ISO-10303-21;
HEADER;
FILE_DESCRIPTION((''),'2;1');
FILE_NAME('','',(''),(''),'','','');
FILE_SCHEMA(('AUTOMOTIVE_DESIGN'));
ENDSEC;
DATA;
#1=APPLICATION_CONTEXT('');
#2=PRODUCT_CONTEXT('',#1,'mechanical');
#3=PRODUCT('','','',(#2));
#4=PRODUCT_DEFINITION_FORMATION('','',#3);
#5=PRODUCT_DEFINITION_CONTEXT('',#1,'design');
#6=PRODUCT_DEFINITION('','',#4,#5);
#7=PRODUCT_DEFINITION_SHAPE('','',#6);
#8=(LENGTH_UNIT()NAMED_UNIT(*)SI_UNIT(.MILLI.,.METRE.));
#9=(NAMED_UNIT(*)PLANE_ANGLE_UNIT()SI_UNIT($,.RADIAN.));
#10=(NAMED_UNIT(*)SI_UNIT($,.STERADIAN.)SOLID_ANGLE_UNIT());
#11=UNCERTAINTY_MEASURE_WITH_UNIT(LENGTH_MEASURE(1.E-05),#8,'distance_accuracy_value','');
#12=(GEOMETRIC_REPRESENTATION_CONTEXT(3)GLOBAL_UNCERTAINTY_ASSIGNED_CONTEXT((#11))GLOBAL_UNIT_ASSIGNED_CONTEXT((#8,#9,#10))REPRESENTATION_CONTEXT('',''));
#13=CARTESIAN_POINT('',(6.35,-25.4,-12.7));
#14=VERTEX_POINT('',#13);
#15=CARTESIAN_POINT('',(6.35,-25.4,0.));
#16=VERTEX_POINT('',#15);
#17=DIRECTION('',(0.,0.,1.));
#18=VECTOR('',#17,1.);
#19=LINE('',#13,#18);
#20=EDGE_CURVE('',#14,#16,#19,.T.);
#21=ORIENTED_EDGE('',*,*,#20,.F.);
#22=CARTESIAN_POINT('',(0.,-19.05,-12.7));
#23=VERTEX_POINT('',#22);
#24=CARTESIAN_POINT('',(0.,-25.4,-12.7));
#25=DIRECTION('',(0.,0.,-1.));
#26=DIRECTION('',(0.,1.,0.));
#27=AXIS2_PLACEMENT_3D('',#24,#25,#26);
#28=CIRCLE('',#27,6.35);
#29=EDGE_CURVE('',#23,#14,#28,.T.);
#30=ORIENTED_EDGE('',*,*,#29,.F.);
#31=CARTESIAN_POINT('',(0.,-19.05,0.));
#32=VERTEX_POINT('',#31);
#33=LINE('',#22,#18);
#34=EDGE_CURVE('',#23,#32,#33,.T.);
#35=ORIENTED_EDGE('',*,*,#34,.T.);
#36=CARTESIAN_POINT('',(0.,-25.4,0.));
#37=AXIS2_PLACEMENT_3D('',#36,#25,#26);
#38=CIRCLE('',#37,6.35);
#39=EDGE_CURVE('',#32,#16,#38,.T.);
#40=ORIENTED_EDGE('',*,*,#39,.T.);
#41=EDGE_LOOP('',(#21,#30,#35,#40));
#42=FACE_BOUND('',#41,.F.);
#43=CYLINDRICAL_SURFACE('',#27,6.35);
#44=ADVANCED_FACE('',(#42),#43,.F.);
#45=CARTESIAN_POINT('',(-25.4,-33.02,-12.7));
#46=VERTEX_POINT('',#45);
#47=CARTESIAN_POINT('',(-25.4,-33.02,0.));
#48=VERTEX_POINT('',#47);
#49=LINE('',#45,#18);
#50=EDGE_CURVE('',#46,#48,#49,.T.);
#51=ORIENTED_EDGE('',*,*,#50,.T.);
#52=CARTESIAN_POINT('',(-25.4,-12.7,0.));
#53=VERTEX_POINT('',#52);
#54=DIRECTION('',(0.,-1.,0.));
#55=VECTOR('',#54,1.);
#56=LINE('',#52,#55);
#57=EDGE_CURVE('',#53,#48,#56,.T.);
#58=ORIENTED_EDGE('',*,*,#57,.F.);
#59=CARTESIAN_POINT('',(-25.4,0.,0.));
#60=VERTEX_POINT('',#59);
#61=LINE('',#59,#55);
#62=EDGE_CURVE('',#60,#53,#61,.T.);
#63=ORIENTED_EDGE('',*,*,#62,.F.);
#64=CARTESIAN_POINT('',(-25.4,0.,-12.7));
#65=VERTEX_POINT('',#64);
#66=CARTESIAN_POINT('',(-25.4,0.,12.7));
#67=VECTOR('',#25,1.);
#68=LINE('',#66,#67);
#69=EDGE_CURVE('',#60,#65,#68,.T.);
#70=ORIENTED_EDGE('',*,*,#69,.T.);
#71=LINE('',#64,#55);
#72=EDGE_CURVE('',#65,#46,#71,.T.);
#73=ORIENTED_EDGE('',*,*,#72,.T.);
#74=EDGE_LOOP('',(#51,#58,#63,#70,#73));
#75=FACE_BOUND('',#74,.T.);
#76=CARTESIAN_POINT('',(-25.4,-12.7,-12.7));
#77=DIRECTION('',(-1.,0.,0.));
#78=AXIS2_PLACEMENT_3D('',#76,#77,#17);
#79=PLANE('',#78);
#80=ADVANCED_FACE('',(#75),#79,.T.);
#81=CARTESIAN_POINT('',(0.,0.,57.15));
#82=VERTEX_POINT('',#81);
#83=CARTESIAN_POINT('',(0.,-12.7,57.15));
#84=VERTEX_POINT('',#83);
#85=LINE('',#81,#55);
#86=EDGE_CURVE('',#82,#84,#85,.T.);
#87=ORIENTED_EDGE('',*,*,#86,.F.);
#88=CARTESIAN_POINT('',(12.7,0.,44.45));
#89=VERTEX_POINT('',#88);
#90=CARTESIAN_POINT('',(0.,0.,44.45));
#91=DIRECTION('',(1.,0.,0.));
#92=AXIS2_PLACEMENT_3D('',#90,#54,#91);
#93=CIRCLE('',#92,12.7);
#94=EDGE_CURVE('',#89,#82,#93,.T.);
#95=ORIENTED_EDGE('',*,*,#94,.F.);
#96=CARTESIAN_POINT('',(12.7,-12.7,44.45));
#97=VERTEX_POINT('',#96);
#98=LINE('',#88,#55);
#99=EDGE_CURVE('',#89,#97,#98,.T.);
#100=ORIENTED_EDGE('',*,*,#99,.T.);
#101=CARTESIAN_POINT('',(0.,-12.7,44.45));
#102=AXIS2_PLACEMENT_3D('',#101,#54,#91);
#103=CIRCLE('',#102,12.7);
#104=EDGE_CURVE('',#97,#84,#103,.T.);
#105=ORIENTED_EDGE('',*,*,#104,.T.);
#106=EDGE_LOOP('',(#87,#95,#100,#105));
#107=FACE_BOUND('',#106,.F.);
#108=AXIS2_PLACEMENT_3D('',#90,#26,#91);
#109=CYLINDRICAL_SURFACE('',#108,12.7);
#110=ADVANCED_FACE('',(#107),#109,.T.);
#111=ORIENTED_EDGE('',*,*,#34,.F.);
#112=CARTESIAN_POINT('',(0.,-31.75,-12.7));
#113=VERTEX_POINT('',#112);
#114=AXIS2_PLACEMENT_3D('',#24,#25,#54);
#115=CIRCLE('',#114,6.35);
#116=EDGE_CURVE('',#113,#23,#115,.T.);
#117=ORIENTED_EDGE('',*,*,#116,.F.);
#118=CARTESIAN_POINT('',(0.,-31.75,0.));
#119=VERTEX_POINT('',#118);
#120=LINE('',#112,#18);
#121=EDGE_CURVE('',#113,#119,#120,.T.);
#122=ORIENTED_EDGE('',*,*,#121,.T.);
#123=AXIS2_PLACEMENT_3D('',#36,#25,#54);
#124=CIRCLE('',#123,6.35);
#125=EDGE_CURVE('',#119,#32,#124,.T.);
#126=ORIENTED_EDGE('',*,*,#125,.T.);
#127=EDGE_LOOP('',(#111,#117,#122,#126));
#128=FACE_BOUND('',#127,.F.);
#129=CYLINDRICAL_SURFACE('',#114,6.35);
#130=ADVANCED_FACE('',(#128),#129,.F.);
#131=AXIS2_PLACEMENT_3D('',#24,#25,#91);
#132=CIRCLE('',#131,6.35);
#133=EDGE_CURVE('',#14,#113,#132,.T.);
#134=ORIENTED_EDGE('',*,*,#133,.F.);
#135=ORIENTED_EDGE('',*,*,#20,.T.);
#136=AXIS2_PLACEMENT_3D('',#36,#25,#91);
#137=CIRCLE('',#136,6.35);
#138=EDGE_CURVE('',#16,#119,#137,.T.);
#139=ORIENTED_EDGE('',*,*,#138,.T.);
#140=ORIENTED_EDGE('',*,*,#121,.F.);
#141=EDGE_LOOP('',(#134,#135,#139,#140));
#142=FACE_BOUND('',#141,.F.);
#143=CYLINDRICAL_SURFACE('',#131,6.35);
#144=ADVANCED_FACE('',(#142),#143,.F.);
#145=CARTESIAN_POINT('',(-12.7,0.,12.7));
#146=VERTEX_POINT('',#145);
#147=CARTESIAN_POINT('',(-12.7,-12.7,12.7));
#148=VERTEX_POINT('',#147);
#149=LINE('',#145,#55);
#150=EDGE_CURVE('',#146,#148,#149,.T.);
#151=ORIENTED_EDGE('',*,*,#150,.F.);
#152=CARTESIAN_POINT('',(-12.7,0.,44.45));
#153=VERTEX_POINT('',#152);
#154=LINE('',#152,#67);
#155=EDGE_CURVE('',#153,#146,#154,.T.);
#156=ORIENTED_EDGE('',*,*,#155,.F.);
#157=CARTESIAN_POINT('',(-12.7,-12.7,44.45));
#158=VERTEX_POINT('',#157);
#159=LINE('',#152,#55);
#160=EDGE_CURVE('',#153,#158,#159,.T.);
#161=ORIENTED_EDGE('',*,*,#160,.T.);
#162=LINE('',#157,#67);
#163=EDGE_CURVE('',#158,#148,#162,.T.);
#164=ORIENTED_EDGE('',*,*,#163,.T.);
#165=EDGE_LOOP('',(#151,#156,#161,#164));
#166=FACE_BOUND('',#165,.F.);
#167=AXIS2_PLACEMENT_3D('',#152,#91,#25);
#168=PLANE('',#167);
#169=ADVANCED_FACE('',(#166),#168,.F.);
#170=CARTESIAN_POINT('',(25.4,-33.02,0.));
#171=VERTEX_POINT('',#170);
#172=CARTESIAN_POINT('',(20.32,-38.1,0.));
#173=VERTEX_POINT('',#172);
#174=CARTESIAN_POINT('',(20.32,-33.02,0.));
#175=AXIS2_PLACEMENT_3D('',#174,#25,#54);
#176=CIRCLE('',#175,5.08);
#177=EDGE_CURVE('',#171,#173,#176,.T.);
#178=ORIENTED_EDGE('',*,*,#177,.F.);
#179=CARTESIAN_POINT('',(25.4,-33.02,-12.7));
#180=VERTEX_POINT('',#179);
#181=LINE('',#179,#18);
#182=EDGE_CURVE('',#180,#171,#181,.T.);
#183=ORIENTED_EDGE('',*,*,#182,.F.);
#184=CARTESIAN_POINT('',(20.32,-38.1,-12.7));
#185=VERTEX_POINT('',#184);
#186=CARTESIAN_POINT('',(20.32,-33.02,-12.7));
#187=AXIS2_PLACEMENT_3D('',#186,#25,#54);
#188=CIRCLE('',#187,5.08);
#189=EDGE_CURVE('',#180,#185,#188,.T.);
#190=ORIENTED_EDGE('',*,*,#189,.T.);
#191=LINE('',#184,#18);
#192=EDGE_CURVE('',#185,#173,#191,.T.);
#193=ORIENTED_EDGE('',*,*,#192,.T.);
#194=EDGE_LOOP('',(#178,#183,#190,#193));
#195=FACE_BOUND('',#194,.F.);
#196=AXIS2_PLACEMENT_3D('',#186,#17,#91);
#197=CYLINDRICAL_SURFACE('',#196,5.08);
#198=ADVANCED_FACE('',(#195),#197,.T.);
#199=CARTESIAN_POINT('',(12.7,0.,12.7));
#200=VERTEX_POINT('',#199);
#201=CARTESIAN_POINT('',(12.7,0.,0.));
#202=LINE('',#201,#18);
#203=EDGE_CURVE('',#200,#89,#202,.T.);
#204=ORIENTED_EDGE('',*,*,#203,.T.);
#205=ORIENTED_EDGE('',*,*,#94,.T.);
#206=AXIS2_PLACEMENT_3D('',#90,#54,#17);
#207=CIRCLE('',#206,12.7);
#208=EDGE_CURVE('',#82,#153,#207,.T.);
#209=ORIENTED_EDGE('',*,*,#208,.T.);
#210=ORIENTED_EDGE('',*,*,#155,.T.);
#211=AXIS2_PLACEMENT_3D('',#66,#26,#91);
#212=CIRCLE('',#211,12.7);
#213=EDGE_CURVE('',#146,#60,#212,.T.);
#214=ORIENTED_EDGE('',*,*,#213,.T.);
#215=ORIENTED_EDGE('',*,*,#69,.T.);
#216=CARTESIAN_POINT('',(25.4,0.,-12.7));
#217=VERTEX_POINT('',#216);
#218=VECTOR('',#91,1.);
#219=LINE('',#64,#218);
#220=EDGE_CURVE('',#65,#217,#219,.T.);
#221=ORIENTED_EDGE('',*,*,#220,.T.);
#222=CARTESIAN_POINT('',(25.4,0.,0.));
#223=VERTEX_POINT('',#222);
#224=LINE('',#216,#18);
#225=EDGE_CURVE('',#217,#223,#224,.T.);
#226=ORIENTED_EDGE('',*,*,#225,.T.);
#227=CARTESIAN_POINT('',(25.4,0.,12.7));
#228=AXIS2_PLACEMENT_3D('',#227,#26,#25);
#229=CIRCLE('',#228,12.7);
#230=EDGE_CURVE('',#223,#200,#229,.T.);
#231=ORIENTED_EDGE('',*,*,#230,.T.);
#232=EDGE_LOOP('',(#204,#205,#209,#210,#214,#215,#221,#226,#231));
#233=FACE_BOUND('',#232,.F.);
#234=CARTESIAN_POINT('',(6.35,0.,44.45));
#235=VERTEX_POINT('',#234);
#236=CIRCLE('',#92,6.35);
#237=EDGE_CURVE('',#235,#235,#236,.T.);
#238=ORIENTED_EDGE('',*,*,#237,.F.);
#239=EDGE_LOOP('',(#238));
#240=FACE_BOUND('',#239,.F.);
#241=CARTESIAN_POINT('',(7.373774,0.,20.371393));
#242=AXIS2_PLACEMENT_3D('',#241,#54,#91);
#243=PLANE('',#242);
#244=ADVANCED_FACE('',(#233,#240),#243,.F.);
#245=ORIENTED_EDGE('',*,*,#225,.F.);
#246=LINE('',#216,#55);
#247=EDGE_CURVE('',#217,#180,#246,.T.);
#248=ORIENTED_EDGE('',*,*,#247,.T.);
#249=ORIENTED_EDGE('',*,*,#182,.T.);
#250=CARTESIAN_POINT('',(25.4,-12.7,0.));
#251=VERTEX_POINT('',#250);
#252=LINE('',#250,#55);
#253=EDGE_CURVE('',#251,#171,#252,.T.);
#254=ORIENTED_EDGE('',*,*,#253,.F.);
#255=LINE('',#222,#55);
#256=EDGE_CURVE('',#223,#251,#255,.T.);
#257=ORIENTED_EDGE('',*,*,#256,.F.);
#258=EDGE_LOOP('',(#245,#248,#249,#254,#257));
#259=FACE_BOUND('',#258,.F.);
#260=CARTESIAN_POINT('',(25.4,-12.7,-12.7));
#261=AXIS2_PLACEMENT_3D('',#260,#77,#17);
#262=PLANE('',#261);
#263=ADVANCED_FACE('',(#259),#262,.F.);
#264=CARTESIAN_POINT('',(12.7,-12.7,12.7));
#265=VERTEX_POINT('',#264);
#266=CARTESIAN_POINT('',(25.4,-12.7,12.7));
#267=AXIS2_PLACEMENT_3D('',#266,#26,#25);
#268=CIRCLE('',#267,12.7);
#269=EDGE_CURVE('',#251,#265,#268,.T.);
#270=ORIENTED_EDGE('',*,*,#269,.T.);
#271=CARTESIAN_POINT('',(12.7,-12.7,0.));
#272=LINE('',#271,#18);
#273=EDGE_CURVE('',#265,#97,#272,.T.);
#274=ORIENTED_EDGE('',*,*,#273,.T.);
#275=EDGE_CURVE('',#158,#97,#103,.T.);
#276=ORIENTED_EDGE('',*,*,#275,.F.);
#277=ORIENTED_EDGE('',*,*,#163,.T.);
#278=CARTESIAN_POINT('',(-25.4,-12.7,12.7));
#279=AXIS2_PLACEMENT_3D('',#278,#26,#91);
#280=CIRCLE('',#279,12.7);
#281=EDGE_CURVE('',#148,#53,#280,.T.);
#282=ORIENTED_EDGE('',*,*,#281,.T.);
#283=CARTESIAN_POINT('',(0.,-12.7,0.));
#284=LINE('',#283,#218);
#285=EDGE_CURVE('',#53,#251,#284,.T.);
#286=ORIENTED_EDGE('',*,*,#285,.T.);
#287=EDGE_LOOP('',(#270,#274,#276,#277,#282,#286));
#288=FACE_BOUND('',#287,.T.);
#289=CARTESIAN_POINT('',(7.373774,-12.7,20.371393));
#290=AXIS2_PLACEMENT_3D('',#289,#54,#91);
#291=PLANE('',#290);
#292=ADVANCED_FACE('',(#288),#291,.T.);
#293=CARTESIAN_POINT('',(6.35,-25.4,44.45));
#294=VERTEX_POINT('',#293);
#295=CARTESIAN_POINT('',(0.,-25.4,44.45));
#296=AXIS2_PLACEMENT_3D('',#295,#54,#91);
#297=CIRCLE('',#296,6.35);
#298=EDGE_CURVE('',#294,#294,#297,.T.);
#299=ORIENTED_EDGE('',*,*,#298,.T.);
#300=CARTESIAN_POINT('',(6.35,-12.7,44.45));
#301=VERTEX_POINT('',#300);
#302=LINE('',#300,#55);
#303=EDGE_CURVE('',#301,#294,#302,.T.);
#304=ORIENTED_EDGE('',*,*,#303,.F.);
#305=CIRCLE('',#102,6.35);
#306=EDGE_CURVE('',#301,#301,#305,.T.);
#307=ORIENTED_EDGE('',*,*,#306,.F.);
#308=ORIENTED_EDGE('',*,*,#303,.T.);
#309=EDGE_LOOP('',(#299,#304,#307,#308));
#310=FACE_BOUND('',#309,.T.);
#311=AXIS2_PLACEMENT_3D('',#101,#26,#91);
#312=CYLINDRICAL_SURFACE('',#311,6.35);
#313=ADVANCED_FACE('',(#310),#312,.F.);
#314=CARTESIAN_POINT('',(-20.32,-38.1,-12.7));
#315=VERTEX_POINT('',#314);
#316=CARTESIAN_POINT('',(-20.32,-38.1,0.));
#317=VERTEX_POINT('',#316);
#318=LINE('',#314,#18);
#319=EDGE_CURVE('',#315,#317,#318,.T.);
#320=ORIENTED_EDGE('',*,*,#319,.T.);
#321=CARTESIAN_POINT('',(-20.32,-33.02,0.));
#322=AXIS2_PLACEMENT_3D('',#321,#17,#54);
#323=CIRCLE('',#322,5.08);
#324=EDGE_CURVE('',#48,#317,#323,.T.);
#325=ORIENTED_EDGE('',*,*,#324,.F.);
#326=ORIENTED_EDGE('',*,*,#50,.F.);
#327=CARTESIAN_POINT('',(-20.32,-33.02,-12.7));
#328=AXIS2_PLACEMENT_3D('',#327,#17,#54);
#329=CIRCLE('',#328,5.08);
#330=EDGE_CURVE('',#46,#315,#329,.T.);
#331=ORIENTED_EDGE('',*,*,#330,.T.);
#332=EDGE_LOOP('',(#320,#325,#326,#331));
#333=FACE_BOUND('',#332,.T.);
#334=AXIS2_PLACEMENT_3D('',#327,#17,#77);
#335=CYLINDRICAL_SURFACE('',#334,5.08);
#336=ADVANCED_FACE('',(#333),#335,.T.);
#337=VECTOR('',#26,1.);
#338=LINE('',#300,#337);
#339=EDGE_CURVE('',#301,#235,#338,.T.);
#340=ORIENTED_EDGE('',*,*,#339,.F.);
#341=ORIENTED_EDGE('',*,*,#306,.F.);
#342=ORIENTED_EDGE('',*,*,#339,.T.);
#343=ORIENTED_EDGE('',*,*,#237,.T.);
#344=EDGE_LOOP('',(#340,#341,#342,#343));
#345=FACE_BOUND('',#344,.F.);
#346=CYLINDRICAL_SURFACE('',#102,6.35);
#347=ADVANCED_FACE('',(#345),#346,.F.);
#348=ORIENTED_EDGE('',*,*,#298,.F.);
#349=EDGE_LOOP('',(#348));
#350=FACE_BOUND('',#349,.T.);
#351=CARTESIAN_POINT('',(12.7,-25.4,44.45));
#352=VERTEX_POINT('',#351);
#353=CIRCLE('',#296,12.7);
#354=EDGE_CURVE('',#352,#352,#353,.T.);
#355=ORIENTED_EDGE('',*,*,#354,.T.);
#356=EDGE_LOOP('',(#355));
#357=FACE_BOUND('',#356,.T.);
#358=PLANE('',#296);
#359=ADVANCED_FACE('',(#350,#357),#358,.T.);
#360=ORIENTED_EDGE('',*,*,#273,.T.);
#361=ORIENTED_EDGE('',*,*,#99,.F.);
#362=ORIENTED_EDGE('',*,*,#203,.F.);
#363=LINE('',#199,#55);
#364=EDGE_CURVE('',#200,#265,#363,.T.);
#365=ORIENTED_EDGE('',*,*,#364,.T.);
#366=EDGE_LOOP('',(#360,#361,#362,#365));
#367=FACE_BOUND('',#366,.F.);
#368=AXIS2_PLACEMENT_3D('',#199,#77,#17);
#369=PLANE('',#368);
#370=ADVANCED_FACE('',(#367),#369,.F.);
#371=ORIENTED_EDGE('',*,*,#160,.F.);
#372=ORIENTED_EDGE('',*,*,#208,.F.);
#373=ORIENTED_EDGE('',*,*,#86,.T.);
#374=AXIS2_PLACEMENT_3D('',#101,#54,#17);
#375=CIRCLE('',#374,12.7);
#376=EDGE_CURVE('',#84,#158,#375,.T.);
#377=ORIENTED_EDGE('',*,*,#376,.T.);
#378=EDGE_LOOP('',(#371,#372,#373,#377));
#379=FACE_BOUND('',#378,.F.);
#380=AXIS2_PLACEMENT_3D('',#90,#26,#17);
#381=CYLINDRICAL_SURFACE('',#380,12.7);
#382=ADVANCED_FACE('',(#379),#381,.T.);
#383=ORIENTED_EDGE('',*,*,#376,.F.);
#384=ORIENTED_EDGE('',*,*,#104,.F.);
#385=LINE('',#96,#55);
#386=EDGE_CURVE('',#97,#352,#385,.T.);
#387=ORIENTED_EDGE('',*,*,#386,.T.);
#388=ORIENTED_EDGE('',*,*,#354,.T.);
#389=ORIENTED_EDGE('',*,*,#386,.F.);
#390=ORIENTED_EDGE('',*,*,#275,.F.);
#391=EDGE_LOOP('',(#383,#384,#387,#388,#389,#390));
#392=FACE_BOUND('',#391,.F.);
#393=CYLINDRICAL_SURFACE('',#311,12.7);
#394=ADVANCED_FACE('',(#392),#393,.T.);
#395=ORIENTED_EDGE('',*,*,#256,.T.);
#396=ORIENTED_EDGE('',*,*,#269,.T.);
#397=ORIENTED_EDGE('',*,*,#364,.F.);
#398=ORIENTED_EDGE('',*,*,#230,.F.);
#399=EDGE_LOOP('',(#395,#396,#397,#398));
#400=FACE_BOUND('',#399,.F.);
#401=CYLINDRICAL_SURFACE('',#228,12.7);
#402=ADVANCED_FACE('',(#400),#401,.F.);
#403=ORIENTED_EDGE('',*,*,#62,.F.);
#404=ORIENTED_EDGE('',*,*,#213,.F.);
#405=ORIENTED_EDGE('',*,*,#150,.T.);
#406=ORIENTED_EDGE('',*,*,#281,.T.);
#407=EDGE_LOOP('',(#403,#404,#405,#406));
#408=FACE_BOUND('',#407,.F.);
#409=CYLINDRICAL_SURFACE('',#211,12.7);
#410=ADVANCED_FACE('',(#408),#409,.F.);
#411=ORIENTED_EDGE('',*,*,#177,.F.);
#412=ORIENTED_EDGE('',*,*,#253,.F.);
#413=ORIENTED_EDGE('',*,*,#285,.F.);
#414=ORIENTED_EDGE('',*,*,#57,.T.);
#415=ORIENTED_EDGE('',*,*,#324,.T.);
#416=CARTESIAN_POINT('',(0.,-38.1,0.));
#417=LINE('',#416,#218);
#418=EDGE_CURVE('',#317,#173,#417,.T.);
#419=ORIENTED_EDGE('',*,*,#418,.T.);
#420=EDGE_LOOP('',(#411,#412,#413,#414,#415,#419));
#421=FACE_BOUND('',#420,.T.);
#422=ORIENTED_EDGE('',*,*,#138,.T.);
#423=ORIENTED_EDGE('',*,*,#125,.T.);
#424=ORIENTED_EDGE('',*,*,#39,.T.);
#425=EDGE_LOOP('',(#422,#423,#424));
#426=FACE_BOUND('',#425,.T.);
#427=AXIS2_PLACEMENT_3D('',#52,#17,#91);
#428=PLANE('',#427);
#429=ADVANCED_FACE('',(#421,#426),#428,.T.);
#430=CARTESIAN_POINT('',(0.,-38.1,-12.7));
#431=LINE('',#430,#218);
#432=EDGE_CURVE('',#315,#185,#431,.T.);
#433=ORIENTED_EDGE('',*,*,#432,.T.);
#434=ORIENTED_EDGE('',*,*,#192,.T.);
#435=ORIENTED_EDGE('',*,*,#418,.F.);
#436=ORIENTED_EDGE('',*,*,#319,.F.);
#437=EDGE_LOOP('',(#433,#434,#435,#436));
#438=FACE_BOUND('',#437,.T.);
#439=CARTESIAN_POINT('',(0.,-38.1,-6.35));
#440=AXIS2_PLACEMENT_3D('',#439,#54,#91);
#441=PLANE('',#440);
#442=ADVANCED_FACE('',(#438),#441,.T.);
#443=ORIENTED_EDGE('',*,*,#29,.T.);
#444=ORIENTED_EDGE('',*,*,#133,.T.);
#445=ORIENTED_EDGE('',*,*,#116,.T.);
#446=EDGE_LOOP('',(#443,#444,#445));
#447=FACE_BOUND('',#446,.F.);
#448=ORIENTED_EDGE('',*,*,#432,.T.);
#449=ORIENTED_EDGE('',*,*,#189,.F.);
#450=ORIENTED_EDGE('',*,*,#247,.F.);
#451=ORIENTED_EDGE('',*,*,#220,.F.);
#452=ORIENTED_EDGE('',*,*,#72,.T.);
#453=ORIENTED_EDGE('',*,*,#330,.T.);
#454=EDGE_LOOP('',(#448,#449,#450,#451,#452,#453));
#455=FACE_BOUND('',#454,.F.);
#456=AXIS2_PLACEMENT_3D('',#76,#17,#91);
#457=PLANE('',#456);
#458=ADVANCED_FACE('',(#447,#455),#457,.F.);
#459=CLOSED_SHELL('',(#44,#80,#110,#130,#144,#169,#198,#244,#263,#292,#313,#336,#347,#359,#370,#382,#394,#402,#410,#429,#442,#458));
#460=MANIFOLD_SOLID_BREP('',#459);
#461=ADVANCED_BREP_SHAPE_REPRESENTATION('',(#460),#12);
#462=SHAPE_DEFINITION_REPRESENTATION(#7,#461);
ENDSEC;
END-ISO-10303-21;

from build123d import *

# Parameters (mm, degrees)
F0_W      = 12.7
F0_H      = 12.7
F1_DEPTH  = 12.7
F3_DEPTH  = 25.4
F4_W      = 50.8
F4_H      = 12.7
F5_DEPTH  = 25.4
F6_R      = 5.08
F7_R      = 12.7
F7_R_2    = 6.35
F8_DEPTH  = 12.7
F9_DEPTH  = 25.4
F11_DEPTH = 25.4


with BuildPart() as f1:
    # F0 (on Front) → F1 (new body)
    with BuildSketch(Plane.XZ):
        with BuildLine():
            Line((0, 31.75), (0, 0))
            Line((0, 0), (12.7, 0))
            Line((12.7, 0), (12.7, 12.7))
            Line((12.7, 12.7), (12.7, 44.45))
            ThreePointArc((12.7, 44.45), (8.9802561211, 35.4697438789), (0, 31.75))
        make_face()
        Polygon((12.7, 0), (0, 0), (-12.7, 0), (-25.4, 0), (-25.4, -12.7), (0, -12.7), (25.4, -12.7), (25.4, 0), align=None)
        with BuildLine():
            Line((-12.7, 0), (0, 0))
            Line((0, 0), (0, 31.75))
            ThreePointArc((0, 31.75), (-8.9802561211, 35.4697438789), (-12.7, 44.45))
            Line((-12.7, 44.45), (-12.7, 12.7))
            Line((-12.7, 12.7), (-12.7, 0))
        make_face()
        with Locations((19.05, 6.35)):
            Rectangle(F0_W, F0_H)
        with Locations((-19.05, 6.35)):
            Rectangle(F0_W, F0_H)
        with BuildLine():
            ThreePointArc((-12.7, 44.45), (-8.9802561211, 35.4697438789), (0, 31.75))
            Line((0, 31.75), (0, 44.45))
            Line((0, 44.45), (-12.7, 44.45))
        make_face()
        with BuildLine():
            Line((0, 44.45), (0, 31.75))
            ThreePointArc((0, 31.75), (8.9802561211, 35.4697438789), (12.7, 44.45))
            Line((12.7, 44.45), (0, 44.45))
        make_face()
        with BuildLine():
            Line((-12.7, 44.45), (0, 44.45))
            Line((0, 44.45), (0, 57.15))
            ThreePointArc((0, 57.15), (-8.9802561211, 53.4302561211), (-12.7, 44.45))
        make_face()
        with BuildLine():
            Line((0, 57.15), (0, 44.45))
            Line((0, 44.45), (12.7, 44.45))
            ThreePointArc((12.7, 44.45), (8.9802561211, 53.4302561211), (0, 57.15))
        make_face()
    extrude(amount=F1_DEPTH)

    # F2 (on face) → F3 (cut)
    with BuildSketch(Plane(origin=(0, 0, 0), x_dir=(-1, 0, 0), z_dir=(0, 1, 0))):
        with BuildLine():
            Line((25.4, 12.7), (12.7, 12.7))
            ThreePointArc((12.7, 12.7), (16.4197438789, 3.7197438789), (25.4, 0))
            Line((25.4, 0), (25.4, 12.7))
        make_face()
        with BuildLine():
            ThreePointArc((-25.4, 0), (-16.4197438789, 3.7197438789), (-12.7, 12.7))
            Line((-12.7, 12.7), (-25.4, 12.7))
            Line((-25.4, 12.7), (-25.4, 0))
        make_face()
    extrude(amount=-F3_DEPTH, mode=Mode.SUBTRACT)

    # F4 (on face) → F5 (join)
    with BuildSketch(Plane.XZ.offset(12.7)):
        with Locations((0, -6.35)):
            Rectangle(F4_W, F4_H)
    extrude(amount=F5_DEPTH)

    # F6
    f6_edges = [f1.edges().sort_by_distance(p)[0] for p in [
        (25.4, -38.1, -6.35),
        (-25.4, -38.1, -6.35),
    ]]
    fillet(f6_edges, radius=F6_R)

    # F7 (on face) → F8 (join)
    with BuildSketch(Plane.XZ.offset(12.7)):
        with Locations((0, 44.45)):
            Circle(F7_R)
        with Locations((0, 44.45)):
            Circle(F7_R_2, mode=Mode.SUBTRACT)
    extrude(amount=F8_DEPTH)

    # F9 (cut): a face of the model
    f9_faces = [f1.faces().sort_by_distance(p)[0] for p in [
        (0, -12.7, 44.45),
    ]]
    extrude(f9_faces, amount=-F9_DEPTH, mode=Mode.SUBTRACT)

    # F10 (on face) → F11 (cut)
    with BuildSketch(Plane(origin=(0, 0, -12.7), x_dir=(1, 0, 0), z_dir=(0, 0, -1))):
        with BuildLine():
            ThreePointArc((0, 31.75), (-6.35, 25.4), (0, 19.05))
            Line((0, 19.05), (0, 25.4))
            Line((0, 25.4), (0, 31.75))
        make_face()
        with BuildLine():
            Line((0, 25.4), (0, 19.05))
            ThreePointArc((0, 19.05), (4.4901280605, 20.9098719395), (6.35, 25.4))
            ThreePointArc((6.35, 25.4), (4.4901280605, 29.8901280605), (0, 31.75))
            Line((0, 31.75), (0, 25.4))
        make_face()
    extrude(amount=-F11_DEPTH, mode=Mode.SUBTRACT)


solid = f1.part
